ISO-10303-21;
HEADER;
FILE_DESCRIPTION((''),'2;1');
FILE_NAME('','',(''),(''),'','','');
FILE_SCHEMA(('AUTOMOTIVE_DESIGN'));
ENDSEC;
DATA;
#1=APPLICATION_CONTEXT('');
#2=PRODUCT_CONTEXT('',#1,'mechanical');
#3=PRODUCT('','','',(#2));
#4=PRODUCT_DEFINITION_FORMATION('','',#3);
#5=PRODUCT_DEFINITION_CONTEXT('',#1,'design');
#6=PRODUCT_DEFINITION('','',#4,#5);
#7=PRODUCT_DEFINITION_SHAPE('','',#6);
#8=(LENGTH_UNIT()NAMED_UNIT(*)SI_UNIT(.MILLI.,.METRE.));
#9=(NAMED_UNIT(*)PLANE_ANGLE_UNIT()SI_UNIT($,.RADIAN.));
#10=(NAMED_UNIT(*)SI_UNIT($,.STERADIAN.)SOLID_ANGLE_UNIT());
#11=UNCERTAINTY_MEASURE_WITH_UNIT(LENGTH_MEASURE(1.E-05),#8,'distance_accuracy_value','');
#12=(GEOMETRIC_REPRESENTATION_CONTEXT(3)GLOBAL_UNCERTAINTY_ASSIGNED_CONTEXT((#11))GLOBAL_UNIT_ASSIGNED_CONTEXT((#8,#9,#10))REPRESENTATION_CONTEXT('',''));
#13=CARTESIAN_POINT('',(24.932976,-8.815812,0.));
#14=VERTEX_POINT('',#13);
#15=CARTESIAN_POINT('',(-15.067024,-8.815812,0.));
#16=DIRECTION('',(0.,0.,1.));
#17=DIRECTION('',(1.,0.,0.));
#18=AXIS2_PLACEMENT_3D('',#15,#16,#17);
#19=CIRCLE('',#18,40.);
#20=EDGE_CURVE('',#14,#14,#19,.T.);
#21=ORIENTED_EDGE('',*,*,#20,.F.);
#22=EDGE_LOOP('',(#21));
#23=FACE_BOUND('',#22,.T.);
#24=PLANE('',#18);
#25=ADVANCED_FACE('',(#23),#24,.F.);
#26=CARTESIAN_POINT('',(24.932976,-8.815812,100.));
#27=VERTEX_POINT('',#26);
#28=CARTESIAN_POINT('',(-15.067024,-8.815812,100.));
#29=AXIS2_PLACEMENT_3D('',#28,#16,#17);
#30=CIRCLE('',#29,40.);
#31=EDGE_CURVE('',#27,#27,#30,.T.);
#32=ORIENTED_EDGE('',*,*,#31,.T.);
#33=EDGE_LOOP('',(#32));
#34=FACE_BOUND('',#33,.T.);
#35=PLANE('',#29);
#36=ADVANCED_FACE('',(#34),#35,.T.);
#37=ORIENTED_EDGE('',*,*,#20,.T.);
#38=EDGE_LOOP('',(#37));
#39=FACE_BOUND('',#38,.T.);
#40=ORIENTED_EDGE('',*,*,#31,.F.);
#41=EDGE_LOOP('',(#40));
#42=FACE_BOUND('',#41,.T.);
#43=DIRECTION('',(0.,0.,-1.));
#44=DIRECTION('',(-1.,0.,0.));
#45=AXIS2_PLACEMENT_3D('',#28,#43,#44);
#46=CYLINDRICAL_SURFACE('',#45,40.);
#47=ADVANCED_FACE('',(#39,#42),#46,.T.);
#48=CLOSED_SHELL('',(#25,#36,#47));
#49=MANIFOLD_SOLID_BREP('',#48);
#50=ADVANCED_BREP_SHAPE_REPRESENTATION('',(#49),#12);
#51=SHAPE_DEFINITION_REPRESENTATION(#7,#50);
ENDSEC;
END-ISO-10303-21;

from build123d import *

# Parameters (mm, degrees)
SKETCH1_R           = 40
BOSS_EXTRUDE1_DEPTH = 100


with BuildPart() as part:
    # Sketch1 → Boss-Extrude1 (new body)
    with BuildSketch(Plane.XY):
        with Locations((-15.067024343, -8.815812116)):
            Circle(SKETCH1_R)
    extrude(amount=BOSS_EXTRUDE1_DEPTH)


solid = part.part
